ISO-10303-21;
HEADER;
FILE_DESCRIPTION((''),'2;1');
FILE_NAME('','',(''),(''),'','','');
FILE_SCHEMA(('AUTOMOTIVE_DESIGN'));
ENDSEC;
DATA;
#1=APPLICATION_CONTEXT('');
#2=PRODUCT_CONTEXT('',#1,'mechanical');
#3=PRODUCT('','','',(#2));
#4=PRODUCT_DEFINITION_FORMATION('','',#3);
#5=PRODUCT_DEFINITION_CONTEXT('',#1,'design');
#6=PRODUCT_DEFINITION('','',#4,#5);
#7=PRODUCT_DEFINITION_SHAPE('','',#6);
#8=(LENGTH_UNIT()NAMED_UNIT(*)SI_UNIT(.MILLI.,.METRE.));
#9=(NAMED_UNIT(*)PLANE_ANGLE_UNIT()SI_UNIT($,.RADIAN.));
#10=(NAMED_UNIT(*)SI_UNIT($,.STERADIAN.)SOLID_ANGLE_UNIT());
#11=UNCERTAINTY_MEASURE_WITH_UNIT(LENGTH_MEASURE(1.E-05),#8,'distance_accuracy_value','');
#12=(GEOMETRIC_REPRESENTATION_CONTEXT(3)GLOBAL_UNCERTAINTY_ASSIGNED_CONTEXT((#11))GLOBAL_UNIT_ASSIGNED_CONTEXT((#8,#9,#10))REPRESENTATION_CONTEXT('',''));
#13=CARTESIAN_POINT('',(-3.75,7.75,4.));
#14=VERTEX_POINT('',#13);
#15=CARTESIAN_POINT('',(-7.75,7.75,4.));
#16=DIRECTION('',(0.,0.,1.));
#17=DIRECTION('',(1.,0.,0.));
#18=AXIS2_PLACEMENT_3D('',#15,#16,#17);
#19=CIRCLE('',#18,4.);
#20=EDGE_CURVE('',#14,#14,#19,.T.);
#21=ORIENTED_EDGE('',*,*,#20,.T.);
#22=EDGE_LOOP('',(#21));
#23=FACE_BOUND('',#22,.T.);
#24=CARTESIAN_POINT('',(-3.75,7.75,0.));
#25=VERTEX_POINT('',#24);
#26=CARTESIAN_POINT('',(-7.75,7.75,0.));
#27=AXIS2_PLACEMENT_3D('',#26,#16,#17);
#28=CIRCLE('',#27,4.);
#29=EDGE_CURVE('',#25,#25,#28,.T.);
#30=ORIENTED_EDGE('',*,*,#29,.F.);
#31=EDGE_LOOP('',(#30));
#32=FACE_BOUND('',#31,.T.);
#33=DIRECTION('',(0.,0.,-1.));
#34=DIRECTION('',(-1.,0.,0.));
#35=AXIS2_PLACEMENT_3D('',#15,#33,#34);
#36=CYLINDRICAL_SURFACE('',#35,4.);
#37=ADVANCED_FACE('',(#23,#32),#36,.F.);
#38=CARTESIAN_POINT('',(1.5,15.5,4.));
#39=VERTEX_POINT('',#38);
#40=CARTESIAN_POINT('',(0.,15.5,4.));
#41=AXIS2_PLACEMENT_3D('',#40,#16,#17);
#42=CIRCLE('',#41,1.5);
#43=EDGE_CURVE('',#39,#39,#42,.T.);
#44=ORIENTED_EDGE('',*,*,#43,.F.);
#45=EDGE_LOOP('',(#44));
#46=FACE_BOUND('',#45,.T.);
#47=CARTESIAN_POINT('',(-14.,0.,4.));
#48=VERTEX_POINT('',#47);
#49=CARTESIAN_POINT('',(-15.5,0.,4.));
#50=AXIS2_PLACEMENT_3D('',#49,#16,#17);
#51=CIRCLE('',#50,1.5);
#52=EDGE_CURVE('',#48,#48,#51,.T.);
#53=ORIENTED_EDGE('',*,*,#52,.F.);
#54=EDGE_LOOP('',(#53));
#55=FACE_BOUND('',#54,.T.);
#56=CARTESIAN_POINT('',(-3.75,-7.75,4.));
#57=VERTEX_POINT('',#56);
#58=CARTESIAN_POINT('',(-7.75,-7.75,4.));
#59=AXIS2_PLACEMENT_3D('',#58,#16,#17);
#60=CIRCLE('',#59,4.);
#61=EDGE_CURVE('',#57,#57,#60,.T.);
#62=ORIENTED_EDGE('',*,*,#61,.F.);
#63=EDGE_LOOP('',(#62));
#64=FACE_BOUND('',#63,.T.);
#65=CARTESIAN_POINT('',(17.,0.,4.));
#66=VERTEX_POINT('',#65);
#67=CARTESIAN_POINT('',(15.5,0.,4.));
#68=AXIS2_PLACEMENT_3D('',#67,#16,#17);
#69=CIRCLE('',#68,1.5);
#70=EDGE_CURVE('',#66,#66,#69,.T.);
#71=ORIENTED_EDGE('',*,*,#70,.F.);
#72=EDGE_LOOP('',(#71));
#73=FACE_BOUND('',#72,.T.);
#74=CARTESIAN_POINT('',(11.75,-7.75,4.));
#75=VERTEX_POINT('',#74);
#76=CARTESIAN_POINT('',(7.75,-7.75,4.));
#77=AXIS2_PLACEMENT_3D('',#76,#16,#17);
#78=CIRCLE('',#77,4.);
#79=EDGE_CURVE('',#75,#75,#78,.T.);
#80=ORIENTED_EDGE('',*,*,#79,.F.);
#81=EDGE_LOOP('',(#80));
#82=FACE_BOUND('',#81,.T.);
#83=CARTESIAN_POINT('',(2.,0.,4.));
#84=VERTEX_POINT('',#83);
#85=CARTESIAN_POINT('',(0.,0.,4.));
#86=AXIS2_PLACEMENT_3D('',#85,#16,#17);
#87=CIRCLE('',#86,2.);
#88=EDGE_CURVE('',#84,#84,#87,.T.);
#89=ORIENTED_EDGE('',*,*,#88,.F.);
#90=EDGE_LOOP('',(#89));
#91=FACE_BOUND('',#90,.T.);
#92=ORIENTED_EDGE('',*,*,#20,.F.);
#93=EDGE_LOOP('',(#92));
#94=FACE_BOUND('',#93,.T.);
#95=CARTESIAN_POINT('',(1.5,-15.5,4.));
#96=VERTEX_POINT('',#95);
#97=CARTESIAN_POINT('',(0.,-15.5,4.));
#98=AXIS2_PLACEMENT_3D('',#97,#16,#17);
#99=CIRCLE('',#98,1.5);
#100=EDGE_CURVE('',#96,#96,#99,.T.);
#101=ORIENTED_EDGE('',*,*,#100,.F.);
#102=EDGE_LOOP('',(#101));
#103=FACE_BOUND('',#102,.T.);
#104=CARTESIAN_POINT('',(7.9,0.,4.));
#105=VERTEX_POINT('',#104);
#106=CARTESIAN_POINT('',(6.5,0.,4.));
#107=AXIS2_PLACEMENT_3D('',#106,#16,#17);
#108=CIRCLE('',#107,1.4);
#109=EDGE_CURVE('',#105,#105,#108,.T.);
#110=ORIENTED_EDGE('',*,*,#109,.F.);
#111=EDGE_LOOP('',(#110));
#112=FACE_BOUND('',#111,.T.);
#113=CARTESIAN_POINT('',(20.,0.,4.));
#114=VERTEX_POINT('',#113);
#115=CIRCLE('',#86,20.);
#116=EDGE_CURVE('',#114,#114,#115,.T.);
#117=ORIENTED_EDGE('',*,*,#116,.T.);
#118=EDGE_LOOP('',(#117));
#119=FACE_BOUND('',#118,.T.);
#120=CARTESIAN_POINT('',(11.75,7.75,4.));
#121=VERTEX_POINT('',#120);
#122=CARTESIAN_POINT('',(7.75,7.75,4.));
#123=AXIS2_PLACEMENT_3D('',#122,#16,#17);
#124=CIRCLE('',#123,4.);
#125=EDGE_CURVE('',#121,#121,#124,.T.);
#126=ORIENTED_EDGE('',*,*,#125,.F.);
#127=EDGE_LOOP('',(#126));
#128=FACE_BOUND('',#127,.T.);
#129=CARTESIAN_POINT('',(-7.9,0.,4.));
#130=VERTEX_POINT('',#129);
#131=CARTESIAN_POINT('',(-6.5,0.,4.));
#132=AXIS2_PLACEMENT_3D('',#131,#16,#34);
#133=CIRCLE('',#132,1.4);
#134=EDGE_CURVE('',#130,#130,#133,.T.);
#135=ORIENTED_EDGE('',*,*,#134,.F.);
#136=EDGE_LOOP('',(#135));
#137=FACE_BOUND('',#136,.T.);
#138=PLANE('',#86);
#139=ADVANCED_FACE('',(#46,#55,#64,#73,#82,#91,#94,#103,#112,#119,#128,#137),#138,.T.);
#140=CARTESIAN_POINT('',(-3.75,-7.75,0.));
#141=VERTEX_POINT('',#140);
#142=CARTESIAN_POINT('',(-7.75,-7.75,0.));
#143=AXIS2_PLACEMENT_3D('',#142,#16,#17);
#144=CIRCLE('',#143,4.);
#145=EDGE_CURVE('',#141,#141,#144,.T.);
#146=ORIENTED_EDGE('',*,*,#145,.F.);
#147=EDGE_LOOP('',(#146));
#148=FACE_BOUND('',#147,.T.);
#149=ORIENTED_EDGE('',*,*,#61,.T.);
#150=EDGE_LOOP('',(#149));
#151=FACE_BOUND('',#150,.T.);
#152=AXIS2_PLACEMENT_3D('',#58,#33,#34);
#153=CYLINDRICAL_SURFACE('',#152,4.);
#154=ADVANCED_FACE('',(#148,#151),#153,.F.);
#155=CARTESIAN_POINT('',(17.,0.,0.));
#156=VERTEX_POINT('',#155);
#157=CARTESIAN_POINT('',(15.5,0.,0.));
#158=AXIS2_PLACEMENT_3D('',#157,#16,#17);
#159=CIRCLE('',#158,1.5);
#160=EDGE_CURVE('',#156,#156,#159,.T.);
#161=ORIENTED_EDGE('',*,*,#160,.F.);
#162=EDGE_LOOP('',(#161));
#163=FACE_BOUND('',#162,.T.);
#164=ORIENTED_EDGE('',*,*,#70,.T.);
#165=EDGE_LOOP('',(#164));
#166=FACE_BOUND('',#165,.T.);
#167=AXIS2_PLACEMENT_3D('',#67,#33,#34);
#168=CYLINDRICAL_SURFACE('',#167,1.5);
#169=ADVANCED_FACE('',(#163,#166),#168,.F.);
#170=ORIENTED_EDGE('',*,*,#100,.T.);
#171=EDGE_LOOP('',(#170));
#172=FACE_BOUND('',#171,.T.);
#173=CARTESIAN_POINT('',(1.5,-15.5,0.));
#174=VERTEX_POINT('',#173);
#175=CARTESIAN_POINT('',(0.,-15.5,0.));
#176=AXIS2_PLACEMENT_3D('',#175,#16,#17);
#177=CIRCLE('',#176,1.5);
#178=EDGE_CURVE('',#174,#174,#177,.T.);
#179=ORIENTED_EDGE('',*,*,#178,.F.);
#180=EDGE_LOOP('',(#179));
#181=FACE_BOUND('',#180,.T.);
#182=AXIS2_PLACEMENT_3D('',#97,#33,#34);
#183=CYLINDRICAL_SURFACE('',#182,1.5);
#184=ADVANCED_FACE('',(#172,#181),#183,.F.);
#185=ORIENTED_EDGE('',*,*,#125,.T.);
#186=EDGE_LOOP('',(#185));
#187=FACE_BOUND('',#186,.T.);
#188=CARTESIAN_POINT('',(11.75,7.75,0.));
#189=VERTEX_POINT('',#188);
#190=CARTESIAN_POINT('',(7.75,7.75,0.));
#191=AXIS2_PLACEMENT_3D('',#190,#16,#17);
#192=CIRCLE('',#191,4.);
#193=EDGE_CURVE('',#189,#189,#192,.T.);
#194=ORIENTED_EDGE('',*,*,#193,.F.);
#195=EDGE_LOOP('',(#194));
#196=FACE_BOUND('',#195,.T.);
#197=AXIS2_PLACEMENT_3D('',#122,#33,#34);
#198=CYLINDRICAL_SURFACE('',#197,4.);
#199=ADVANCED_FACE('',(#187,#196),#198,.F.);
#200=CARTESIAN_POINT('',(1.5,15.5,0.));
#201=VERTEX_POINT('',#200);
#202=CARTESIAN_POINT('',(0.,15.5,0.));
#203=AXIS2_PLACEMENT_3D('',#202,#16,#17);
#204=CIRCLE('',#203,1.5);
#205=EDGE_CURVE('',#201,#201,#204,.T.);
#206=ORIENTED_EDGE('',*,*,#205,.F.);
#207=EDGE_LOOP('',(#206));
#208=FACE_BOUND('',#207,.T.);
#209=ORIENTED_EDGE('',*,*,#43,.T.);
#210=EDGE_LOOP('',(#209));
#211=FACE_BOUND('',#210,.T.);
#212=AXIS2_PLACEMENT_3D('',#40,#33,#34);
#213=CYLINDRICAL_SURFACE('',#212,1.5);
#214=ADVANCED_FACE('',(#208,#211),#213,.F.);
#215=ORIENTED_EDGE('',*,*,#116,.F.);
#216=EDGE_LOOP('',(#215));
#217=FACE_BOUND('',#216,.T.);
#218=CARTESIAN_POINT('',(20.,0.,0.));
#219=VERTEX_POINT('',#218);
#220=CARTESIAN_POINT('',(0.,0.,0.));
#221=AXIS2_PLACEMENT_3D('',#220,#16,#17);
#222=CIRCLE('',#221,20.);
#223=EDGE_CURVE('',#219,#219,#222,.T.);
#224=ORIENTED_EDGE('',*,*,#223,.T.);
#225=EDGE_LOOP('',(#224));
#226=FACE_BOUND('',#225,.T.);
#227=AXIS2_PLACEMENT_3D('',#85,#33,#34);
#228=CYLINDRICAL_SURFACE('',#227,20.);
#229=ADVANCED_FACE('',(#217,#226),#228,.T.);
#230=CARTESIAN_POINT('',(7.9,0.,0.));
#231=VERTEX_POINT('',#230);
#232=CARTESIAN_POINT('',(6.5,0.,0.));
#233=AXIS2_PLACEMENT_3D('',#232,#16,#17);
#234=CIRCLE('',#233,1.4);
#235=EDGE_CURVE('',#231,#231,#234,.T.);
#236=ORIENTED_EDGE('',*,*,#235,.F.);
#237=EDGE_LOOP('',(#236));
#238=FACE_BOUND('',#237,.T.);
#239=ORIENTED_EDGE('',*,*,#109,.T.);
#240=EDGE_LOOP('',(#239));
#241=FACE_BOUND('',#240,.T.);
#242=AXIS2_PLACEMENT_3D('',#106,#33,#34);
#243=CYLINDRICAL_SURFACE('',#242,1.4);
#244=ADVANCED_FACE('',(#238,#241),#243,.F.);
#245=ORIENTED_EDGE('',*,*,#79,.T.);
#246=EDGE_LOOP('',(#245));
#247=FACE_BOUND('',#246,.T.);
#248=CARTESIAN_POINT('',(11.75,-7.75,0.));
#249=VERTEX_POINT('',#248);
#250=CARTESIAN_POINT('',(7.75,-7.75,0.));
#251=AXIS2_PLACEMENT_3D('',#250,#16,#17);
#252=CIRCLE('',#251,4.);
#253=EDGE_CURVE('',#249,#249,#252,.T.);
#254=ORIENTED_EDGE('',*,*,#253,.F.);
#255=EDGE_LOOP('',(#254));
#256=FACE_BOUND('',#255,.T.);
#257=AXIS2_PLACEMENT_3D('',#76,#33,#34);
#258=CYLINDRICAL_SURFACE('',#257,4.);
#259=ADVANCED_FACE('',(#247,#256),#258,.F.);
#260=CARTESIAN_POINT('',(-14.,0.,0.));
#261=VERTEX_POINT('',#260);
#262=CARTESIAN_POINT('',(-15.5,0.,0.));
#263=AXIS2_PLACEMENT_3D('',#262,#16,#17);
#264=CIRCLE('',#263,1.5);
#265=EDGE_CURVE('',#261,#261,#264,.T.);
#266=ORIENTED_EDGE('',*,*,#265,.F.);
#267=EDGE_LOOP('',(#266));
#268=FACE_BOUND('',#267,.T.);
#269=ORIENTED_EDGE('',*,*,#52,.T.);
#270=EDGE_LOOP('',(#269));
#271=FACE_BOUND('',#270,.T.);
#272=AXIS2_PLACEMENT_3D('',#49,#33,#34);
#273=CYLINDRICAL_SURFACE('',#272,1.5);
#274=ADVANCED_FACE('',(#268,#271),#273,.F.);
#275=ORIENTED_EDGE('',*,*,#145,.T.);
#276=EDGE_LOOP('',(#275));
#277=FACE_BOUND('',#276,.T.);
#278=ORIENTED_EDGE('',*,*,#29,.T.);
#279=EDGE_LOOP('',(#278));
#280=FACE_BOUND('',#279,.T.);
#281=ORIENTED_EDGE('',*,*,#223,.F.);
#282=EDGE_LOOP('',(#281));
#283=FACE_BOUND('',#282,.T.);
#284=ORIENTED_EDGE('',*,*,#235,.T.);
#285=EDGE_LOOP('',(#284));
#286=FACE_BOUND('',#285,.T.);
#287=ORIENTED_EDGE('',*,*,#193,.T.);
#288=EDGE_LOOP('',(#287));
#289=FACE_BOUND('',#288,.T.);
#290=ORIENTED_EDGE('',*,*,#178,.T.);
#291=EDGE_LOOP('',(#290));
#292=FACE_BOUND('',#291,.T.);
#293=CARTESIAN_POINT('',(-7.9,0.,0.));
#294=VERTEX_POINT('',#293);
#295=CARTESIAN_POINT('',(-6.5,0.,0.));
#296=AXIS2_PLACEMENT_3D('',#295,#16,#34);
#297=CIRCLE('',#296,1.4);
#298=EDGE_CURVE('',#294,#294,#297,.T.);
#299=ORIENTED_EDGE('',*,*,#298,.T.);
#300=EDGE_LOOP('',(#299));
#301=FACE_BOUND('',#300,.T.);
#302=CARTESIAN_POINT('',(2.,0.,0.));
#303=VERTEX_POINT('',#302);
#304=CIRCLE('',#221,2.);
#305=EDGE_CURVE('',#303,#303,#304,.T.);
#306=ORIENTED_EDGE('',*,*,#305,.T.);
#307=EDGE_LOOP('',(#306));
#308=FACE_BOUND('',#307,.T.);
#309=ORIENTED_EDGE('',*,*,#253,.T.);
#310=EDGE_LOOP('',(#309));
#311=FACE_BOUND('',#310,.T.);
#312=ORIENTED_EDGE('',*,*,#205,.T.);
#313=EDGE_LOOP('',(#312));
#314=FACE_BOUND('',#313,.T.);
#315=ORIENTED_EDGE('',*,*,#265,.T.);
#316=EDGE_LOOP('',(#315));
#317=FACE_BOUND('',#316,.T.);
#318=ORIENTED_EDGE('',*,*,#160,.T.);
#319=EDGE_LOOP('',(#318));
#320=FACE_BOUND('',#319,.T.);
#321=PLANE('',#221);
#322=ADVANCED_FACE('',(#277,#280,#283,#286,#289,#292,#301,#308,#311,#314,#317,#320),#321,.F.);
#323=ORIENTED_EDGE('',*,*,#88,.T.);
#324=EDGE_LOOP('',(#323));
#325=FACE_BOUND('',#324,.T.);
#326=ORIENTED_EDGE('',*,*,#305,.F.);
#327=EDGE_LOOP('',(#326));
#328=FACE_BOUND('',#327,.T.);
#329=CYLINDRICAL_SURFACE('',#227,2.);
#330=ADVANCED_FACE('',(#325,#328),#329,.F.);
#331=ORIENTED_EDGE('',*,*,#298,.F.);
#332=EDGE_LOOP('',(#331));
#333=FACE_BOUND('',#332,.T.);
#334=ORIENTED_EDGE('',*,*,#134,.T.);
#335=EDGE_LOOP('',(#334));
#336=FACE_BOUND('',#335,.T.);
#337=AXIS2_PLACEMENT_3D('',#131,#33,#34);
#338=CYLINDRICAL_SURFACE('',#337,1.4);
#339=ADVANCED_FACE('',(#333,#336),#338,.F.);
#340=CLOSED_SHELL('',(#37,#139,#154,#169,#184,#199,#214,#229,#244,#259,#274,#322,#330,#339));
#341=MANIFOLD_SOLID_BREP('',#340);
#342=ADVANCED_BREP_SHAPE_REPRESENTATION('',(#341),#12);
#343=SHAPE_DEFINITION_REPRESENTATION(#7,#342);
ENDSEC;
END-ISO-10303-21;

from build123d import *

# Parameters (mm, degrees)
SKETCH_1_R      = 20
SKETCH_1_R_2    = 2
SKETCH_1_R_3    = 1.4
SKETCH_1_R_4    = 1.5
SKETCH_1_R_5    = 4
EXTRUDE_1_DEPTH = 4


with BuildPart() as part:
    # 草图1 → 凸台-拉伸1 (new body)
    with BuildSketch(Plane.XY):
        Circle(SKETCH_1_R)
        Circle(SKETCH_1_R_2, mode=Mode.SUBTRACT)
        with Locations((6.5, 0)):
            Circle(SKETCH_1_R_3, mode=Mode.SUBTRACT)
        with Locations((0, -15.5)):
            Circle(SKETCH_1_R_4, mode=Mode.SUBTRACT)
        with Locations((-15.5, 0)):
            Circle(SKETCH_1_R_4, mode=Mode.SUBTRACT)
        with Locations((0, 15.5)):
            Circle(SKETCH_1_R_4, mode=Mode.SUBTRACT)
        with Locations((15.5, 0)):
            Circle(SKETCH_1_R_4, mode=Mode.SUBTRACT)
        with Locations(Location((-6.5, 0, 0), (0, 0, 180))):
            Circle(SKETCH_1_R_3, mode=Mode.SUBTRACT)
        with Locations((-7.75, 7.75)):
            Circle(SKETCH_1_R_5, mode=Mode.SUBTRACT)
        with Locations((7.75, 7.75)):
            Circle(SKETCH_1_R_5, mode=Mode.SUBTRACT)
        with Locations((7.75, -7.75)):
            Circle(SKETCH_1_R_5, mode=Mode.SUBTRACT)
        with Locations((-7.75, -7.75)):
            Circle(SKETCH_1_R_5, mode=Mode.SUBTRACT)
    extrude(amount=EXTRUDE_1_DEPTH)


solid = part.part
